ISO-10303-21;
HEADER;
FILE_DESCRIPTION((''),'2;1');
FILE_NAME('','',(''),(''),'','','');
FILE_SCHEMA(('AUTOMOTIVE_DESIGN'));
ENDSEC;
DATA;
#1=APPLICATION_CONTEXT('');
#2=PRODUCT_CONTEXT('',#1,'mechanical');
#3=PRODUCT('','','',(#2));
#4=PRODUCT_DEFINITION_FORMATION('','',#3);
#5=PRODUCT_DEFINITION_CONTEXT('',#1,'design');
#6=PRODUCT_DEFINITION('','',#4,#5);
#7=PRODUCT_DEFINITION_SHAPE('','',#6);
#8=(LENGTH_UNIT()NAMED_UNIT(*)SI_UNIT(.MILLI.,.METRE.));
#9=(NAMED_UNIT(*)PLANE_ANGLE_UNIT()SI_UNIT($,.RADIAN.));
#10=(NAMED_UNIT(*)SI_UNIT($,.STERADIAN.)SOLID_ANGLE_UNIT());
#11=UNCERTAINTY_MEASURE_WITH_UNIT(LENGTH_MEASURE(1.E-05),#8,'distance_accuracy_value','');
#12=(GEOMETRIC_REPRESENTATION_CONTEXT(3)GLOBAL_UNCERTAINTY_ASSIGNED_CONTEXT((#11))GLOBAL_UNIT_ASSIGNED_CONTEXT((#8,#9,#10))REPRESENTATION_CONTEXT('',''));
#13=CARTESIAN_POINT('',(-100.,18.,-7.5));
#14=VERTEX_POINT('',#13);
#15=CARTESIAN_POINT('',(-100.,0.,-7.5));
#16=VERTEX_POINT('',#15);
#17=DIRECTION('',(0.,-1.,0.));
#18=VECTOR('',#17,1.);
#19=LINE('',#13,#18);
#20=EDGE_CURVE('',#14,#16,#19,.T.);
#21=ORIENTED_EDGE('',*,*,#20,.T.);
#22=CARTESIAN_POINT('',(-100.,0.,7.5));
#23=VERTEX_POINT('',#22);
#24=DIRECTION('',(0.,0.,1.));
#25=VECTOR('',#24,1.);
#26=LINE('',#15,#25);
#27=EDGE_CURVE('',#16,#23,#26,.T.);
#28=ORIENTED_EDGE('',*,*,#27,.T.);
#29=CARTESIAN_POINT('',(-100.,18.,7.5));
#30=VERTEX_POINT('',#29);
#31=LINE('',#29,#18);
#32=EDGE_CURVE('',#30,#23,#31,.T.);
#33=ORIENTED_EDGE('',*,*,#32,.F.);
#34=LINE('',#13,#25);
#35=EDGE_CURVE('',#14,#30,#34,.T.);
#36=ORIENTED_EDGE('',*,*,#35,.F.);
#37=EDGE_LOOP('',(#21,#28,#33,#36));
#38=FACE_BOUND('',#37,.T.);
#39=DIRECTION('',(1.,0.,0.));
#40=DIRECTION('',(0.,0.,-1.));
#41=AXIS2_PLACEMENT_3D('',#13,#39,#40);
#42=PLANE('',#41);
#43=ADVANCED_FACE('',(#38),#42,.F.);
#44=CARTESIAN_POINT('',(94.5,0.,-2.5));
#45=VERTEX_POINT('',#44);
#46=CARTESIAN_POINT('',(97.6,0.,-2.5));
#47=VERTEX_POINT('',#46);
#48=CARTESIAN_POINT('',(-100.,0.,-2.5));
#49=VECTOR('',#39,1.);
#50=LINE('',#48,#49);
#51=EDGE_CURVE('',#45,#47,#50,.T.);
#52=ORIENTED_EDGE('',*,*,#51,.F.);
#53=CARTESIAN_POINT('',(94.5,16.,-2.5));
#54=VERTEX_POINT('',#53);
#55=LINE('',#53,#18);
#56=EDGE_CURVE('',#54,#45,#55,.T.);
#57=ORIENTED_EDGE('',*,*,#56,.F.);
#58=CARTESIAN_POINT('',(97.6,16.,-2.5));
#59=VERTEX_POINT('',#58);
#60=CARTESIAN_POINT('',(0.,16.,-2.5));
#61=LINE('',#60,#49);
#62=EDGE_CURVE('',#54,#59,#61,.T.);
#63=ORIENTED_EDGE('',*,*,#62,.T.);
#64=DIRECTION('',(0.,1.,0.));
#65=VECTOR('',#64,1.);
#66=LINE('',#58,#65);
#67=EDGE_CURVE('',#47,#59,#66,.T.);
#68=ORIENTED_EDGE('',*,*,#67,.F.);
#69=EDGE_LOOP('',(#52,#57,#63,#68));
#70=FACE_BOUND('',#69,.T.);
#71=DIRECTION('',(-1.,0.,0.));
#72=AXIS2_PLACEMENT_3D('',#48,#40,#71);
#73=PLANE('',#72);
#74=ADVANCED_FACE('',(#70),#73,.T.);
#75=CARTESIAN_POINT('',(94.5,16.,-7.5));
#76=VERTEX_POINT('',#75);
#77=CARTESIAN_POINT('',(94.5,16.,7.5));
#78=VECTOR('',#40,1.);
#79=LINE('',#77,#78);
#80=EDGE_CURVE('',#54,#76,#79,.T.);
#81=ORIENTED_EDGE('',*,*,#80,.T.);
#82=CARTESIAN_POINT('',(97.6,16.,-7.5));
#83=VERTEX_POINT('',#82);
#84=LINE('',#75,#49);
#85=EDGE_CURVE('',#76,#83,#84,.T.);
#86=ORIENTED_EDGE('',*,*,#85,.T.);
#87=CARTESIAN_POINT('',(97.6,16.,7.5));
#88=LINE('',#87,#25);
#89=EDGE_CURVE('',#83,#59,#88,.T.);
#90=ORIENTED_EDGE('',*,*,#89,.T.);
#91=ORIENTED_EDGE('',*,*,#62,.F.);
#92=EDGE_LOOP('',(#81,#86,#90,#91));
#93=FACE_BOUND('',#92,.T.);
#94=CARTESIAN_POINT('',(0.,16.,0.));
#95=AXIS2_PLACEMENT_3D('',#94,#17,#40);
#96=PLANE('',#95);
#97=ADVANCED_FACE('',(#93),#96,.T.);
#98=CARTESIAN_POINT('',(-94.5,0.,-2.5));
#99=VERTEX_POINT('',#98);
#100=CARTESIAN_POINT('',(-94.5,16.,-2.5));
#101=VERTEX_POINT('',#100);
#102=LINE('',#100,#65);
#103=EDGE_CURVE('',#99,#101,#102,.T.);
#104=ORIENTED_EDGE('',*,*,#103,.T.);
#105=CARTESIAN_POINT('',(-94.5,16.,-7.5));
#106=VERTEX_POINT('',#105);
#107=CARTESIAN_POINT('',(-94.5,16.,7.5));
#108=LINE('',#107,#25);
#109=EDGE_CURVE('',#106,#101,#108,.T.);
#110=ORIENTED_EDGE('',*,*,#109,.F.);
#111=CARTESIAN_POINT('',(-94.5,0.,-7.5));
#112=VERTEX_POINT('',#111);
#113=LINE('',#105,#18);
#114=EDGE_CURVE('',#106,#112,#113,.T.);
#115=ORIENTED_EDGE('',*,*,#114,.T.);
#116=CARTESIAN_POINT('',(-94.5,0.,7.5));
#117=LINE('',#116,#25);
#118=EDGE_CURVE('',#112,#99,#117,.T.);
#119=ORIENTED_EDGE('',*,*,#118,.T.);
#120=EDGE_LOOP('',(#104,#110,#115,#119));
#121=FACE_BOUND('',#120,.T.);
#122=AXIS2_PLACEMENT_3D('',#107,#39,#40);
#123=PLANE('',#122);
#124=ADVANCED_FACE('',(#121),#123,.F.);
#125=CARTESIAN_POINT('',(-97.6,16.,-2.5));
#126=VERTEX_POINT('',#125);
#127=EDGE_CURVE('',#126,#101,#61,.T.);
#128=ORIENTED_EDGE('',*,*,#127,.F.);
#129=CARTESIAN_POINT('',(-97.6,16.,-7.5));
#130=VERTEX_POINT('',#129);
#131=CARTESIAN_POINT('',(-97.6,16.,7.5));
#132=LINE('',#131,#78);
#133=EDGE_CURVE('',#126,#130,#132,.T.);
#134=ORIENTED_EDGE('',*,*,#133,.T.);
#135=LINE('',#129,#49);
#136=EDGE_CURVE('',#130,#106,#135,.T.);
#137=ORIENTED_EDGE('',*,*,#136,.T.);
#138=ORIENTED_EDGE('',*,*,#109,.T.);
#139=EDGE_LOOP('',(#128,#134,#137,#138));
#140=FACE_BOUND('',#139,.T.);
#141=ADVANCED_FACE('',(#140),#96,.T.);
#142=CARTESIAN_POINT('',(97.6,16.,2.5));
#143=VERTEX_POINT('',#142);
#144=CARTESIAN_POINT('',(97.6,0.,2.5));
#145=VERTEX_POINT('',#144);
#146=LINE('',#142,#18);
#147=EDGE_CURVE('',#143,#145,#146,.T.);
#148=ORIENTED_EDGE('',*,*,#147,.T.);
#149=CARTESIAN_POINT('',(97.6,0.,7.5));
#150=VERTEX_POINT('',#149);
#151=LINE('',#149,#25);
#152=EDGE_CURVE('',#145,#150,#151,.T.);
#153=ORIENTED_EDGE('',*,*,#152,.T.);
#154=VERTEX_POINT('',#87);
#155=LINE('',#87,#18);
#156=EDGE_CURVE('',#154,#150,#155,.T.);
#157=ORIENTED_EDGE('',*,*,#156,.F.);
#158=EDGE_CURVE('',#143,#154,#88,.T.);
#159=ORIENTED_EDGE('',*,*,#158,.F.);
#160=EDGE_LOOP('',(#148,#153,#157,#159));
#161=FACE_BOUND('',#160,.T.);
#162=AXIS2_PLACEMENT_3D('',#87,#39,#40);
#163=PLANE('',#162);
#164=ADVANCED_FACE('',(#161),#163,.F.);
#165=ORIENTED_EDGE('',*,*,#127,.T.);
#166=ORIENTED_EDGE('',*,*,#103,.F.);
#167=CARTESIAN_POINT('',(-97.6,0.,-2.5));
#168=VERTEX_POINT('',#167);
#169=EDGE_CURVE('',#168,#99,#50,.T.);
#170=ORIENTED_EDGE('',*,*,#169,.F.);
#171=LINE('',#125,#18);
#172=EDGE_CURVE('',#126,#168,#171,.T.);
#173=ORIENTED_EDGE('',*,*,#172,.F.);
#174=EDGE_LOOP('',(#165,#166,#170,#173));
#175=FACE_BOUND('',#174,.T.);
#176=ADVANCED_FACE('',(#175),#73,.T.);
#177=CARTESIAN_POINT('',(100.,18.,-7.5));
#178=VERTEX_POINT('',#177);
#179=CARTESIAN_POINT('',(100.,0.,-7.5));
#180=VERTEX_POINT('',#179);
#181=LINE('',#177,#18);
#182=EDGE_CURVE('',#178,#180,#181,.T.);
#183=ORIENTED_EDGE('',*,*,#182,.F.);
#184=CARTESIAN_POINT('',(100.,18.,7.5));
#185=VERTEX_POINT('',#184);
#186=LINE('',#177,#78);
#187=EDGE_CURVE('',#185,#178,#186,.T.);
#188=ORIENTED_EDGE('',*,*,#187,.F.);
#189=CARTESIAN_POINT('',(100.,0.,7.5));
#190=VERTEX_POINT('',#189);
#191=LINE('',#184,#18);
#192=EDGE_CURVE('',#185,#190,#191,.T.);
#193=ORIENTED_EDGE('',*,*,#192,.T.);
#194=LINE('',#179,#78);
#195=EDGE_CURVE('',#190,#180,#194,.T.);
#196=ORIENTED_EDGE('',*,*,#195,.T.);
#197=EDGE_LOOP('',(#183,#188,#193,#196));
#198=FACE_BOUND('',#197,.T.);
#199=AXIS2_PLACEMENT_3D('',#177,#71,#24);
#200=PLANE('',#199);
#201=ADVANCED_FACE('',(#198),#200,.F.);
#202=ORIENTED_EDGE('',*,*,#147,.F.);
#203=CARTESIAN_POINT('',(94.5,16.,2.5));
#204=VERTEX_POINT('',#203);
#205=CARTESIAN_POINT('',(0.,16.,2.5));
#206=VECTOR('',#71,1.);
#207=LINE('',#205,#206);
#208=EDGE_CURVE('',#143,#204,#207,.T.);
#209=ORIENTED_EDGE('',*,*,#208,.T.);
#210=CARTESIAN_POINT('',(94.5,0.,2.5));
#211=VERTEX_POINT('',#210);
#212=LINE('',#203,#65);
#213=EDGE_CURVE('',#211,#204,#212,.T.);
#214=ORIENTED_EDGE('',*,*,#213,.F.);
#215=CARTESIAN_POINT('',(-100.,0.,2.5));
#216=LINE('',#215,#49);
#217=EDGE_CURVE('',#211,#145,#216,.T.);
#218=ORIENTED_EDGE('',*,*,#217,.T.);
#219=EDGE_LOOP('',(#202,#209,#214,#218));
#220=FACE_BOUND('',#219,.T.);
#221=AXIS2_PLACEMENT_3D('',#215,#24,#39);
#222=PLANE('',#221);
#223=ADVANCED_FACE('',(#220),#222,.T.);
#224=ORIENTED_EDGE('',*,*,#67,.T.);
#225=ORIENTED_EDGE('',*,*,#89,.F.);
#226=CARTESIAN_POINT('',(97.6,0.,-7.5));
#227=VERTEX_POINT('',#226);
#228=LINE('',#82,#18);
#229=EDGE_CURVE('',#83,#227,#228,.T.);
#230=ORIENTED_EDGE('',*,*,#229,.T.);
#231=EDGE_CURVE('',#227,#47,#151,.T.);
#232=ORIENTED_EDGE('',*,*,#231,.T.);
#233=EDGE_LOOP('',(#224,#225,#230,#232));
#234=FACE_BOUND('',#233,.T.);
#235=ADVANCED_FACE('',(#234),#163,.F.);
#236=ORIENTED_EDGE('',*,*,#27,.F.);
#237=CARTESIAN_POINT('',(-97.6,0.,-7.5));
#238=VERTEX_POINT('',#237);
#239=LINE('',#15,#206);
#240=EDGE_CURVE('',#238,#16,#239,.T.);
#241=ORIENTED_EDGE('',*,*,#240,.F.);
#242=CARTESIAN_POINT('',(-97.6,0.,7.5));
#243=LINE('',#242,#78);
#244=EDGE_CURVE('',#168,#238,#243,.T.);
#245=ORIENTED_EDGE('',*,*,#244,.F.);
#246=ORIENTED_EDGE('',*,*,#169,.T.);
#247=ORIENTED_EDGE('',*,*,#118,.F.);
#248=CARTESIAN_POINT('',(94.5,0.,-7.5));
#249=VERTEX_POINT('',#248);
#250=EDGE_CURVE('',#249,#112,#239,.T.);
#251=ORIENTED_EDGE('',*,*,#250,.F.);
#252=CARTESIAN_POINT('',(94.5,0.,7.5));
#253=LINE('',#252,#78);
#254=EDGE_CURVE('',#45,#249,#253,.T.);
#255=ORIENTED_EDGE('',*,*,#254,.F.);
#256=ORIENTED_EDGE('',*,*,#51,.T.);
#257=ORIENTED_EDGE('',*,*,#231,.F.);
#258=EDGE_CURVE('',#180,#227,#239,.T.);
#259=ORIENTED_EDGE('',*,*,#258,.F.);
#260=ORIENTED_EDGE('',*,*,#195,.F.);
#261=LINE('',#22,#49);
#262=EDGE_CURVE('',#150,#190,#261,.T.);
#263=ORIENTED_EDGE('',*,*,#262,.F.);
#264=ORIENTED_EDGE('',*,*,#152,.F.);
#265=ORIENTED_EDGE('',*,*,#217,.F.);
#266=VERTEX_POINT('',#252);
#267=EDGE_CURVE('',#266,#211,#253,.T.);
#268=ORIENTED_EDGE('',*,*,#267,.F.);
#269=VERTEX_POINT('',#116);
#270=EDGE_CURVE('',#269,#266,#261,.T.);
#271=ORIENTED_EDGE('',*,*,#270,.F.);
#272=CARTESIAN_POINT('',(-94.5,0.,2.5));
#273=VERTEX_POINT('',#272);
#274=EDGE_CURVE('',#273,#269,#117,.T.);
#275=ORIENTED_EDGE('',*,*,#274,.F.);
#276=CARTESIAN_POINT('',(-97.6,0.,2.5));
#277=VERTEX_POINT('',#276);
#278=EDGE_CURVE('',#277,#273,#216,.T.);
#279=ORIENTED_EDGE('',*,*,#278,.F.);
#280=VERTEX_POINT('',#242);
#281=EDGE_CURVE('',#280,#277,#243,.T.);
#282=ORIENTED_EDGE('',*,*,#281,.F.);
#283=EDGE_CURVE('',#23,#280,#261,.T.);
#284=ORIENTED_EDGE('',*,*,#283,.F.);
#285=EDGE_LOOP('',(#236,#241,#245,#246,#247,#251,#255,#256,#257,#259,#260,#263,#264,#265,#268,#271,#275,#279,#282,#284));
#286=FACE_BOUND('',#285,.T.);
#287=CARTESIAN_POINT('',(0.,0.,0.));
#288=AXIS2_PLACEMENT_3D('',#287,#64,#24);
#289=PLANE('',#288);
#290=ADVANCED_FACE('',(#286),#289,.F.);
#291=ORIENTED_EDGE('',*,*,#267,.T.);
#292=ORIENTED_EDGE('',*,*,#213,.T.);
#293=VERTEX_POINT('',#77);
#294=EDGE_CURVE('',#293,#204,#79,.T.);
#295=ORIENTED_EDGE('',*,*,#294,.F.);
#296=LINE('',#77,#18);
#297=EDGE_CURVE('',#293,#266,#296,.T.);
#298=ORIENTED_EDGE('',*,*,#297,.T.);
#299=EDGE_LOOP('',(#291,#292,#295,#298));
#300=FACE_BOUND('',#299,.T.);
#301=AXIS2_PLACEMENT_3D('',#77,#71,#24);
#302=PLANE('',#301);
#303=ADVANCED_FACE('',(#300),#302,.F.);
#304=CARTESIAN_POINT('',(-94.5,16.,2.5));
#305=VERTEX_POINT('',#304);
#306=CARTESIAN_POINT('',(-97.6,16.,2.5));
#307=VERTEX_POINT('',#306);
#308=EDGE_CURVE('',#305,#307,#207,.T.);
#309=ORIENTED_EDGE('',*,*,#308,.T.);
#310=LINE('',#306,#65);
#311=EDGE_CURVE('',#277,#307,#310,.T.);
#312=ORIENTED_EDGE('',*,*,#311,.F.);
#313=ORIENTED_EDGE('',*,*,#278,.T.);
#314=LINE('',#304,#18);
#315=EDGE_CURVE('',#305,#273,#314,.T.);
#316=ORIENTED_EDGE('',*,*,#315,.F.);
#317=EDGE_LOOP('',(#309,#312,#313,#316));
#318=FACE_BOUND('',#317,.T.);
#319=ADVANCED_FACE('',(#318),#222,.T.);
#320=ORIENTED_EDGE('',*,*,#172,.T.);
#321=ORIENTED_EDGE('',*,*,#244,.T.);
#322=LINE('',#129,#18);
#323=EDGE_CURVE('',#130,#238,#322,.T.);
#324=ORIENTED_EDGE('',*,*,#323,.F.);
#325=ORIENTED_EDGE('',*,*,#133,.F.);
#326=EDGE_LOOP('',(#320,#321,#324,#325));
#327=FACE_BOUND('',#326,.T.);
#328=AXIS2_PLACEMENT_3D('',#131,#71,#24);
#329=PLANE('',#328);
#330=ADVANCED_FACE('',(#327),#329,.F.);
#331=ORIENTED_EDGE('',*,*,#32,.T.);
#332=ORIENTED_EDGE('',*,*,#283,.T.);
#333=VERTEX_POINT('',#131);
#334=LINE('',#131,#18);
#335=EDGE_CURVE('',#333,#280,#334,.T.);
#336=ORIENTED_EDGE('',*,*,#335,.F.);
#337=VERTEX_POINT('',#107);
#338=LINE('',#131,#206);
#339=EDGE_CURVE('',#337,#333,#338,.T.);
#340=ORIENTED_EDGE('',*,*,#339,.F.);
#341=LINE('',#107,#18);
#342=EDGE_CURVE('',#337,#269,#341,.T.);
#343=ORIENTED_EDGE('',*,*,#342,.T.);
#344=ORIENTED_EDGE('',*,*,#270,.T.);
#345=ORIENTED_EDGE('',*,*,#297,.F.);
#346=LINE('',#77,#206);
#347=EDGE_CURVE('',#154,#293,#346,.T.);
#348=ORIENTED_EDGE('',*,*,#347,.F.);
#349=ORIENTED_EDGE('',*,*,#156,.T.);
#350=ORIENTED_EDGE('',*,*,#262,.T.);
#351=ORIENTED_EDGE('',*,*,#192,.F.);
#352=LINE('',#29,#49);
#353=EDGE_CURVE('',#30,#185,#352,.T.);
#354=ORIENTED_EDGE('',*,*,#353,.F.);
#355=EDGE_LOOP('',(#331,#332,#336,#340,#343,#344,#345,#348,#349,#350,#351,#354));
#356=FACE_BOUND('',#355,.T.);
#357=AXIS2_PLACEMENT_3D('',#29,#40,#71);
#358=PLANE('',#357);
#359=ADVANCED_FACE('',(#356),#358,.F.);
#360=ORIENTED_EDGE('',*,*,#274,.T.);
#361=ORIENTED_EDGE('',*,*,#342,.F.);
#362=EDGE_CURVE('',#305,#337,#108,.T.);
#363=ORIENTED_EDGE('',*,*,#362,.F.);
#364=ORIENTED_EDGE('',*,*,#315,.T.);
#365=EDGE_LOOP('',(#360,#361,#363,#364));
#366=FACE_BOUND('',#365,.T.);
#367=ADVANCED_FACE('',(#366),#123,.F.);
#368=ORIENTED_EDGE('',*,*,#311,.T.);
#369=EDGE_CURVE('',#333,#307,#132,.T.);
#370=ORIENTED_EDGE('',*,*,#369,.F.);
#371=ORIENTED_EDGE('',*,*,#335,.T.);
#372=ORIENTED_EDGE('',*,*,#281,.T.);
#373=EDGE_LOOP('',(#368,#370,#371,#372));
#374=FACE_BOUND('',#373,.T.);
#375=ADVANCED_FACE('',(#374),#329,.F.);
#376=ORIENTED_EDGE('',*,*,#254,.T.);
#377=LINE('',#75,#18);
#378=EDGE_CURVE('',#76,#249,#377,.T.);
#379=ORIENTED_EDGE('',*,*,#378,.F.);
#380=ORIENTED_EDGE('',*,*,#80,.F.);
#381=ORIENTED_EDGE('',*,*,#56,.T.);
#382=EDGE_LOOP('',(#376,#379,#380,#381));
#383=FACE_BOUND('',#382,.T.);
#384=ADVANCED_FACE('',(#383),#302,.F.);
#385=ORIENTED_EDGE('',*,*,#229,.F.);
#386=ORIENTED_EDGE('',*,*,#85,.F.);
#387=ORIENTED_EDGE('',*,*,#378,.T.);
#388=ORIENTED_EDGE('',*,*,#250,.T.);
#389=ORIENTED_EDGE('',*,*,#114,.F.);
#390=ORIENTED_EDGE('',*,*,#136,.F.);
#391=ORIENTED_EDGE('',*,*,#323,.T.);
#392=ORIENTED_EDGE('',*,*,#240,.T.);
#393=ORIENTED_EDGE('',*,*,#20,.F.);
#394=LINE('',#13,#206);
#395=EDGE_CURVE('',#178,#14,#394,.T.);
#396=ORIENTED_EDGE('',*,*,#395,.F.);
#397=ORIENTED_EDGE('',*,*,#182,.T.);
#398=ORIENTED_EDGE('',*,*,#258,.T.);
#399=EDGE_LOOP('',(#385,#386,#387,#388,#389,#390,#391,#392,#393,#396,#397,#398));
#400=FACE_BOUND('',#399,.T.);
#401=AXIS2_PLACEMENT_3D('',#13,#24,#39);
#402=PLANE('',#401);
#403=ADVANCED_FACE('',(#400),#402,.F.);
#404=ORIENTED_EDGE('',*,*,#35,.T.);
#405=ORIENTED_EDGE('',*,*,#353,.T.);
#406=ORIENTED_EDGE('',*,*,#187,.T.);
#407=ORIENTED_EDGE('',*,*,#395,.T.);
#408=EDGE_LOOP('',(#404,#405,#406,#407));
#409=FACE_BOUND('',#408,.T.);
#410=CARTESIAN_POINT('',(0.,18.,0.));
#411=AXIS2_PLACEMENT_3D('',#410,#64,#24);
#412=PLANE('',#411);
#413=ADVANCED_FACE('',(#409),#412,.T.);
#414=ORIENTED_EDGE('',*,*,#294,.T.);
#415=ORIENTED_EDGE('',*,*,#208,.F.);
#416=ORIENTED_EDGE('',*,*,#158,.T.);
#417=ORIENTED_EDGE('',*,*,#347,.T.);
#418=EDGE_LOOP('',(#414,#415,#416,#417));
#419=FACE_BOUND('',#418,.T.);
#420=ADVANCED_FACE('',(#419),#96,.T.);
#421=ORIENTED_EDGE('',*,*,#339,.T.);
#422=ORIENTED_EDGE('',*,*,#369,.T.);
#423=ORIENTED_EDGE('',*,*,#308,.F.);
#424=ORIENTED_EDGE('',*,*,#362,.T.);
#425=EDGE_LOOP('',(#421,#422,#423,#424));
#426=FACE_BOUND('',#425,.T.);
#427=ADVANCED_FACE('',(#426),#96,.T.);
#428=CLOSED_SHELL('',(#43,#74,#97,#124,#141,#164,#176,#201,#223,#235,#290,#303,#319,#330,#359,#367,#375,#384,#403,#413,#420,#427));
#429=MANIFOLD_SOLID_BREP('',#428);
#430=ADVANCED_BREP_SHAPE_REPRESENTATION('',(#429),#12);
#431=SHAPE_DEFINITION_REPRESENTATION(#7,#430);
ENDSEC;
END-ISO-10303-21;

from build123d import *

# Parameters (mm, degrees)
SKETCH1_W               = 200
SKETCH1_H               = 15
FRONT_TOP_BEAM_DEPTH    = 18
SKETCH2_W               = 3.1
SKETCH2_H               = 15
FRONT_TOP_GROOVES_DEPTH = 16
FRONT_TOP_RIB_REACH     = 202.948
SKETCH3_W               = 5
SKETCH3_H               = 18


with BuildPart() as part:
    # Sketch1 → Front Top Beam (new body)
    with BuildSketch(Plane(origin=(0, 0, 0), x_dir=(1, 0, 0), z_dir=(0, 1, 0))):
        Rectangle(SKETCH1_W, SKETCH1_H)
    extrude(amount=FRONT_TOP_BEAM_DEPTH)

    # Sketch2 → Front Top Grooves (cut)
    with BuildSketch(Plane.XZ):
        with Locations((-96.05, 0)):
            Rectangle(SKETCH2_W, SKETCH2_H)
        with Locations((96.05, 0)):
            Rectangle(SKETCH2_W, SKETCH2_H)
    extrude(amount=-FRONT_TOP_GROOVES_DEPTH, mode=Mode.SUBTRACT)

    # Sketch3 → Front Top Rib (add, up to next)
    with BuildSketch(Plane(origin=(100, 0, 0), x_dir=(0, 0, -1), z_dir=(1, 0, 0)), mode=Mode.PRIVATE) as front_top_rib_sk1:
        with Locations((0, 9)):
            Rectangle(SKETCH3_W, SKETCH3_H)
    front_top_rib_tool1 = extrude(front_top_rib_sk1.sketch, amount=-FRONT_TOP_RIB_REACH, mode=Mode.PRIVATE) - part.part
    add(front_top_rib_tool1.solids().sort_by_distance((100, 9, 0))[0])
    add(front_top_rib_tool1.solids().sort_by_distance((100, 9, 0))[1])


solid = part.part
